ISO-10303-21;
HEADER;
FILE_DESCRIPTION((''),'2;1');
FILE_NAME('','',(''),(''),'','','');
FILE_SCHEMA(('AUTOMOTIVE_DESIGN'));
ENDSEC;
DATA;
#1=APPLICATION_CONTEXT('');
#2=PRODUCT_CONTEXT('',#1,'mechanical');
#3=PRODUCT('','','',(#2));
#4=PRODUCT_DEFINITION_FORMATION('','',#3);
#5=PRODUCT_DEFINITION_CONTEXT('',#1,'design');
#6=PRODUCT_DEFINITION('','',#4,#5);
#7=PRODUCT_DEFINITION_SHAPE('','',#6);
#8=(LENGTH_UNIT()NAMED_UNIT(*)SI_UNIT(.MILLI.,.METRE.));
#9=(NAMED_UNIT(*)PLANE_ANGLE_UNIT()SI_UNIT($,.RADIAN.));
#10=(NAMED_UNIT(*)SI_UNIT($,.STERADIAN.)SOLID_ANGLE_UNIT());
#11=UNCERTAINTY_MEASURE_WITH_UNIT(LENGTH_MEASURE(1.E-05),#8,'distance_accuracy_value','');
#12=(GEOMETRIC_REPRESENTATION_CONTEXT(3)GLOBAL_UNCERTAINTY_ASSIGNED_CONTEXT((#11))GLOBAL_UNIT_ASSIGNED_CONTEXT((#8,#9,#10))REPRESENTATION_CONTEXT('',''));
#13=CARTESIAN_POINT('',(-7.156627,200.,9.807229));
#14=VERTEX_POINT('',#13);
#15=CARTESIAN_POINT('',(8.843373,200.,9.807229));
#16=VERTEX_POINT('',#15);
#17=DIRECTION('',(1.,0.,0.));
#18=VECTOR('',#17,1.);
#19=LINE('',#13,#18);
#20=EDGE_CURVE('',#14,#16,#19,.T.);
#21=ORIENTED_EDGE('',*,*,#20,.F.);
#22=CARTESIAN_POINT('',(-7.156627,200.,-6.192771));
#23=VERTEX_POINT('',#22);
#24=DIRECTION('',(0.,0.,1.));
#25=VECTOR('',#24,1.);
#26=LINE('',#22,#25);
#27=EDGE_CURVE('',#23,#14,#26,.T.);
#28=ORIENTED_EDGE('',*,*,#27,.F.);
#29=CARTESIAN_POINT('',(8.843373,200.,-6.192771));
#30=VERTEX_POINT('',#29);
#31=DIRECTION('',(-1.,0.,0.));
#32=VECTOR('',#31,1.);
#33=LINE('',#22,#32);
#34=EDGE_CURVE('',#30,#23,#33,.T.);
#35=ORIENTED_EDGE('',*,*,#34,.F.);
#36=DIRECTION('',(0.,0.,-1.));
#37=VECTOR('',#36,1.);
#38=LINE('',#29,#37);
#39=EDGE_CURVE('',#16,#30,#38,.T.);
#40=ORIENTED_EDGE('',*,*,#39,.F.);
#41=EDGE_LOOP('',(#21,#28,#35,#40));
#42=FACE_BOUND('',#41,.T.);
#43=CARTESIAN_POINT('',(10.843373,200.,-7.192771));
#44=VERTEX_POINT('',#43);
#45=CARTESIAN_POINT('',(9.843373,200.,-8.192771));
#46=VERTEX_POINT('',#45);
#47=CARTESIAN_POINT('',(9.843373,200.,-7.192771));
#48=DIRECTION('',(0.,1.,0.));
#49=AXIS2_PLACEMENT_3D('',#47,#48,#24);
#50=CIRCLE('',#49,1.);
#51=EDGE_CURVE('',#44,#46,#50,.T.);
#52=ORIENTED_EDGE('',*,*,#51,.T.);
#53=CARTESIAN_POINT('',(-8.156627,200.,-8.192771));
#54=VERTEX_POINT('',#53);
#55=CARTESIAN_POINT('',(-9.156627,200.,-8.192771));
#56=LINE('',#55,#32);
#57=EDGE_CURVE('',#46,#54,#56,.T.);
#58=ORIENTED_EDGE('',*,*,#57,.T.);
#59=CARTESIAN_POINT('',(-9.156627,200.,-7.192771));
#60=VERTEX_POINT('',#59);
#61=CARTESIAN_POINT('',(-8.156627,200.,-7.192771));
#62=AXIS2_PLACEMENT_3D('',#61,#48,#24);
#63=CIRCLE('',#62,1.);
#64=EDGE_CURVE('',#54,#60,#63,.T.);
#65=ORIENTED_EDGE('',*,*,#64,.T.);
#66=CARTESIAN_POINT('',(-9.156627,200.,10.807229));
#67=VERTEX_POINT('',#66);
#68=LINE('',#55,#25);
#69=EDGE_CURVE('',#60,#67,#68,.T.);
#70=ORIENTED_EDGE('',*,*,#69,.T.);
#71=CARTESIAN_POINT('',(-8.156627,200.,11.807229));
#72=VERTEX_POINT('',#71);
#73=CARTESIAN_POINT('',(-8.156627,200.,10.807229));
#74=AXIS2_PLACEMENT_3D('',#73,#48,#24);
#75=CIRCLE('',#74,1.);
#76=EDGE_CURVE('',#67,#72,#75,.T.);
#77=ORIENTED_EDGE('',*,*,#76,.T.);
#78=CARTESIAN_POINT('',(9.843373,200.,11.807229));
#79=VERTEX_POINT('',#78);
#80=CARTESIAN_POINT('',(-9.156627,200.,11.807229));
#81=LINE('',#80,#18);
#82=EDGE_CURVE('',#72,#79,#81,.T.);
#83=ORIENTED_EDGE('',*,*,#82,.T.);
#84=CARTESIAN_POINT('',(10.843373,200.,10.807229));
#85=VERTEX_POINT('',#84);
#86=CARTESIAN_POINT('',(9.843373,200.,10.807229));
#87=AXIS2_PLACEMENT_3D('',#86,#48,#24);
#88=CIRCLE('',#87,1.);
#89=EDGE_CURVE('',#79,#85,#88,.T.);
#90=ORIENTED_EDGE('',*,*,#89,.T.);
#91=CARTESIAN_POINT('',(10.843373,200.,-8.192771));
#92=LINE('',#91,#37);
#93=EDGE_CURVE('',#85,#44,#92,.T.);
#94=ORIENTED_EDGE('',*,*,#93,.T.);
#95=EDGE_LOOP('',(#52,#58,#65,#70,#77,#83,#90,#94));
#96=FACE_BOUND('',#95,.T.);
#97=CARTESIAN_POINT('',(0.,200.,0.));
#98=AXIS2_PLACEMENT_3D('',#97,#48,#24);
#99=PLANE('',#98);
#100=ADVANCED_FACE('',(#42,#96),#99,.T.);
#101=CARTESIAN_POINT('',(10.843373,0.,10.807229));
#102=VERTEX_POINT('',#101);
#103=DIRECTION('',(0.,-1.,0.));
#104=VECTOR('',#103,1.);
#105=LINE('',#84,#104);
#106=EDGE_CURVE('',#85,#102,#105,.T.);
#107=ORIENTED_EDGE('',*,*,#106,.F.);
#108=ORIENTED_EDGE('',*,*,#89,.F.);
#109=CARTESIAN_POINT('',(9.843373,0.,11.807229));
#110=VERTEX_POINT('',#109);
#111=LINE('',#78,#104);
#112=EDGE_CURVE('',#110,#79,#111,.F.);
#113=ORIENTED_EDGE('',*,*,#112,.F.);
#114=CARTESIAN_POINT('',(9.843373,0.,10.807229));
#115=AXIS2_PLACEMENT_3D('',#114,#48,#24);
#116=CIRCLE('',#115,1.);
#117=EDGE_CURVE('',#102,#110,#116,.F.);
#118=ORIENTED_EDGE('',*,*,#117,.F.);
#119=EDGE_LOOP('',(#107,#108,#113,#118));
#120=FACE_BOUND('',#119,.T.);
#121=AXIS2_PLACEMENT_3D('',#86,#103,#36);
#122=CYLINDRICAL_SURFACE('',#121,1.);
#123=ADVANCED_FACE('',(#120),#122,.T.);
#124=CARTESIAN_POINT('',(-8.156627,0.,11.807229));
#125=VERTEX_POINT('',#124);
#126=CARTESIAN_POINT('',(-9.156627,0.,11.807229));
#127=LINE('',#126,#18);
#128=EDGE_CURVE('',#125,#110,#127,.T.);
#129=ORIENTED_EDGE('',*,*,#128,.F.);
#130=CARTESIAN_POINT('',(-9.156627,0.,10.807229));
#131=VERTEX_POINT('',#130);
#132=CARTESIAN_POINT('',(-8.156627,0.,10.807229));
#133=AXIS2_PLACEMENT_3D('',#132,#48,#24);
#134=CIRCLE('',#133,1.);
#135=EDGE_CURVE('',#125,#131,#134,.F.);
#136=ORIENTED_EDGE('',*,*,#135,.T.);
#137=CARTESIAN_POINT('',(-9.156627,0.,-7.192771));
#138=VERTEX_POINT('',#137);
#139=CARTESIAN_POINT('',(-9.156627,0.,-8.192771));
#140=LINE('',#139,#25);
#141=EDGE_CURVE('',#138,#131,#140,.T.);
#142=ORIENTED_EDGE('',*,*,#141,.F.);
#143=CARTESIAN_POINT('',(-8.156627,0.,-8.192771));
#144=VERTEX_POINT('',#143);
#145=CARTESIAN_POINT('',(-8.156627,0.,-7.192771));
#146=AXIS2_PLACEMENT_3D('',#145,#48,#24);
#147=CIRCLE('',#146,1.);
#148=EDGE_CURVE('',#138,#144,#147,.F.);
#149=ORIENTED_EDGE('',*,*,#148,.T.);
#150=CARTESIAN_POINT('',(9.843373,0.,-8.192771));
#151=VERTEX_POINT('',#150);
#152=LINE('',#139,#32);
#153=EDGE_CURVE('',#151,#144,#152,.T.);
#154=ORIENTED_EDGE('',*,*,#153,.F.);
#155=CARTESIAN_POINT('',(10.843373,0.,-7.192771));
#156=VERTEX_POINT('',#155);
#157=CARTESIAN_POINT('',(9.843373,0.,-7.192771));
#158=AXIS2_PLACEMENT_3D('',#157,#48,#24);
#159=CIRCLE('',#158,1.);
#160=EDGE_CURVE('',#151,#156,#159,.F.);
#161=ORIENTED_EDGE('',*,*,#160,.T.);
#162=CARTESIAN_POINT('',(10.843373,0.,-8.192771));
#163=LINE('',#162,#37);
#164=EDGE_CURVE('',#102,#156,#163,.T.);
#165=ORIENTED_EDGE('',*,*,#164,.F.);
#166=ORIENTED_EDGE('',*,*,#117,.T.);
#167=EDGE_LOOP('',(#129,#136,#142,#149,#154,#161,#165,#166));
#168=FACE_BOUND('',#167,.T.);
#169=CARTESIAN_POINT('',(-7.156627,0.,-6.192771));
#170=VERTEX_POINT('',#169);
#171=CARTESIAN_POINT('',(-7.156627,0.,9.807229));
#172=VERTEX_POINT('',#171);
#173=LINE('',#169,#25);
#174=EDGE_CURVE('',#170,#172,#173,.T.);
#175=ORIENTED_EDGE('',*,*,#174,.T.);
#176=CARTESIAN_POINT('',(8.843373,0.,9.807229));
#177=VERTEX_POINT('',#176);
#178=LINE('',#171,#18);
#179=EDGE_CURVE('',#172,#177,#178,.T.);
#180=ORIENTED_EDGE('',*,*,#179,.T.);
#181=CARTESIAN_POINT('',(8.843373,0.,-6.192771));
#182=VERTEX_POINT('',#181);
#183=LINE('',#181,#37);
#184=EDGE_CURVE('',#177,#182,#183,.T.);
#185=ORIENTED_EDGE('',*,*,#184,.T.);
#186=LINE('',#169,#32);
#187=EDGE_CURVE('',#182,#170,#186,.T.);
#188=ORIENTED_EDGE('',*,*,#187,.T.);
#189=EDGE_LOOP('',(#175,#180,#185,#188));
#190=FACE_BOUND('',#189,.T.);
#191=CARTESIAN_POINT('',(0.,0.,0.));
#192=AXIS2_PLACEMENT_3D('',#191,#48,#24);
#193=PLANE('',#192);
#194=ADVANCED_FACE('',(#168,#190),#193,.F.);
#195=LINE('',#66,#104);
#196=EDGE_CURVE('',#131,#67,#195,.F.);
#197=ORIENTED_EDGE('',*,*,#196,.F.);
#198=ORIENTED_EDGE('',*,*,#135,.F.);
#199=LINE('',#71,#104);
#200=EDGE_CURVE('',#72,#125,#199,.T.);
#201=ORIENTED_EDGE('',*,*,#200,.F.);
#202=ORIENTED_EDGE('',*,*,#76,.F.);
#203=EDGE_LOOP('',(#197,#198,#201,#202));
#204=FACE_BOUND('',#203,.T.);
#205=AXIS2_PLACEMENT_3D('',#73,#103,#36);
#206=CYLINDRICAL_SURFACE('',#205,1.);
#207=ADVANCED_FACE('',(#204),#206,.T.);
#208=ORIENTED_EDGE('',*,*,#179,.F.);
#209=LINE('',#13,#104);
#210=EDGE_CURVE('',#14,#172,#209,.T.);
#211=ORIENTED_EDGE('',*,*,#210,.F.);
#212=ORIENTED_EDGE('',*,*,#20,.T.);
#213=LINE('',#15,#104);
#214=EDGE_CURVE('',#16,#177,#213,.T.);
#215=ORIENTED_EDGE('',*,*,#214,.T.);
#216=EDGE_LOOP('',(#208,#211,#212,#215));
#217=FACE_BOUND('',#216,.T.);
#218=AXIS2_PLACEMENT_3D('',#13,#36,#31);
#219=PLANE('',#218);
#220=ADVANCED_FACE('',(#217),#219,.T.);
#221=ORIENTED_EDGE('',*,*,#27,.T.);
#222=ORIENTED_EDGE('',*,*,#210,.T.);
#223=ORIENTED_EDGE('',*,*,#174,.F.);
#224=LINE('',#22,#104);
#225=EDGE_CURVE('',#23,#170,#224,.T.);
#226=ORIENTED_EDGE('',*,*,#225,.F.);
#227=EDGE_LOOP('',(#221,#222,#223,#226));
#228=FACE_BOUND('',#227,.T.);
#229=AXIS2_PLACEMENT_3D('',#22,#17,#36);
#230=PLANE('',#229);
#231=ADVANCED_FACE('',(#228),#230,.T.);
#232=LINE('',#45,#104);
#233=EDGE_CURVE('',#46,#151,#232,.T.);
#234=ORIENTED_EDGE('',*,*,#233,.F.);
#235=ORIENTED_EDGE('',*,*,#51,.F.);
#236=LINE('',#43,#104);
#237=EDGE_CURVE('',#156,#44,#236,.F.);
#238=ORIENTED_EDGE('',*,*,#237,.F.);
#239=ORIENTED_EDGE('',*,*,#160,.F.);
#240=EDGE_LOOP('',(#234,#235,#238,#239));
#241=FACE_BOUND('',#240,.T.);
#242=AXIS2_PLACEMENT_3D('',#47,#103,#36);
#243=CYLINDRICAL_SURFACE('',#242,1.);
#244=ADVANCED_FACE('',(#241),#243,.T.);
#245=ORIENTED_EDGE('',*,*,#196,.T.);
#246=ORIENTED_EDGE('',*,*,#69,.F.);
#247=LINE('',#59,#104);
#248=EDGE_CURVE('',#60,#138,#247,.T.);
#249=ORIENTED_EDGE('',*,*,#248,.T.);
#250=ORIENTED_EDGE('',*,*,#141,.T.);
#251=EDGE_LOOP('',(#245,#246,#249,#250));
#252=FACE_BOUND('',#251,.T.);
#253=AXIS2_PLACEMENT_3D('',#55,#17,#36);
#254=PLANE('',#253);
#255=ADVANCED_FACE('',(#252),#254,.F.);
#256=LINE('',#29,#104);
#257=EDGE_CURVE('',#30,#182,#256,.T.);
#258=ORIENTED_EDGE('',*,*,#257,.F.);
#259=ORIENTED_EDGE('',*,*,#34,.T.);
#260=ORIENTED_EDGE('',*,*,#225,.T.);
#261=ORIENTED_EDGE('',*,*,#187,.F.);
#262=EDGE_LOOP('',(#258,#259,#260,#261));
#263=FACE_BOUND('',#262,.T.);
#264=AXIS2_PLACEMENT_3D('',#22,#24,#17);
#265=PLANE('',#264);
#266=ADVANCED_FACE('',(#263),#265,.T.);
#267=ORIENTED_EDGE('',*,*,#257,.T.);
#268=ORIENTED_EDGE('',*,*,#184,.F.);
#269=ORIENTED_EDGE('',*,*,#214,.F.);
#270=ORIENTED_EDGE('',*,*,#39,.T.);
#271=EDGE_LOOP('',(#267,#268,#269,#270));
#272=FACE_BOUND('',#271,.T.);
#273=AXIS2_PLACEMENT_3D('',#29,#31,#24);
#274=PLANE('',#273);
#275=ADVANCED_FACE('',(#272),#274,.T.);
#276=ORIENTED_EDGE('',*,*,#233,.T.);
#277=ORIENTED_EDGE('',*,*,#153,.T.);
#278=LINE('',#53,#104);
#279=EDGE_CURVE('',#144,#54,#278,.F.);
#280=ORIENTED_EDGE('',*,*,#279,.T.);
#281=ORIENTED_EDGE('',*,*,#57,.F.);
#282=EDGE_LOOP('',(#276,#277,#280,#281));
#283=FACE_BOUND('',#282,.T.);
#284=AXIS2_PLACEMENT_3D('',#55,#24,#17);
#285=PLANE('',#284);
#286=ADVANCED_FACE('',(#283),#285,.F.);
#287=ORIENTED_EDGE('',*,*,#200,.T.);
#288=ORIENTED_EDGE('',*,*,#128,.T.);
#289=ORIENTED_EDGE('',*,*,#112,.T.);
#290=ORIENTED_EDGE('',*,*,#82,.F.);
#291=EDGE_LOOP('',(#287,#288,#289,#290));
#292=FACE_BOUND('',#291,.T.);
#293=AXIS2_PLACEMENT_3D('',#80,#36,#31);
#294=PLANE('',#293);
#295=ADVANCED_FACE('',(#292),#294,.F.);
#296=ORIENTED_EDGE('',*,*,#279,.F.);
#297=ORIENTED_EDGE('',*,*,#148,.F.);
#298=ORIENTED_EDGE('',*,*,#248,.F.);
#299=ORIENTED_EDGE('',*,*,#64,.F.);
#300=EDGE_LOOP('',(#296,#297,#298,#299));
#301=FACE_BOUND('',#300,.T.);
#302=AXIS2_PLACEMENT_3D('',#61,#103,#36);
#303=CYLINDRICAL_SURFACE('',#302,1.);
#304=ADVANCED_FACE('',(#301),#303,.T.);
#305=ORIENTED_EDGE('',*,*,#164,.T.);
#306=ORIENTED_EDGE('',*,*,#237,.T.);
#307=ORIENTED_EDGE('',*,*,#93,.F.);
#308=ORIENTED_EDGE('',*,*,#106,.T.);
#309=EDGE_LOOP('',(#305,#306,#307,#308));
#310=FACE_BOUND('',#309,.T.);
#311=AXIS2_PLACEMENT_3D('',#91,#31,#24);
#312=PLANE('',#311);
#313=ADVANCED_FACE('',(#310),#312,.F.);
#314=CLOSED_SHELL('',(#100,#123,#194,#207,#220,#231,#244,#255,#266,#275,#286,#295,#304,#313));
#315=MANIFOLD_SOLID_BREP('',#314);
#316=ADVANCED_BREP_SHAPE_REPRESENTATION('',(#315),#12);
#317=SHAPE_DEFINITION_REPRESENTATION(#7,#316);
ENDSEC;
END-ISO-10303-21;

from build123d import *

# Parameters (mm, degrees)
SKETCH1_W           = 20
SKETCH1_H           = 20
SKETCH1_W_2         = 16
SKETCH1_H_2         = 16
BOSS_EXTRUDE1_DEPTH = 200
FILLET1_R           = 1


with BuildPart() as part:
    # Sketch1 → Boss-Extrude1 (new body)
    with BuildSketch(Plane(origin=(0, 0, 0), x_dir=(1, 0, 0), z_dir=(0, 1, 0))):
        with Locations((0.843373494, -1.807228916)):
            Rectangle(SKETCH1_W, SKETCH1_H)
        with Locations((0.843373494, -1.807228916)):
            Rectangle(SKETCH1_W_2, SKETCH1_H_2, mode=Mode.SUBTRACT)
    extrude(amount=BOSS_EXTRUDE1_DEPTH)

    # Fillet1
    fillet1_edges = [part.edges().sort_by_distance(p)[0] for p in [
        (-9.156626506, 100, -8.192771084),
        (10.843373494, 100, -8.192771084),
        (10.843373494, 100, 11.807228916),
        (-9.156626506, 100, 11.807228916),
    ]]
    fillet(fillet1_edges, radius=FILLET1_R)


solid = part.part
